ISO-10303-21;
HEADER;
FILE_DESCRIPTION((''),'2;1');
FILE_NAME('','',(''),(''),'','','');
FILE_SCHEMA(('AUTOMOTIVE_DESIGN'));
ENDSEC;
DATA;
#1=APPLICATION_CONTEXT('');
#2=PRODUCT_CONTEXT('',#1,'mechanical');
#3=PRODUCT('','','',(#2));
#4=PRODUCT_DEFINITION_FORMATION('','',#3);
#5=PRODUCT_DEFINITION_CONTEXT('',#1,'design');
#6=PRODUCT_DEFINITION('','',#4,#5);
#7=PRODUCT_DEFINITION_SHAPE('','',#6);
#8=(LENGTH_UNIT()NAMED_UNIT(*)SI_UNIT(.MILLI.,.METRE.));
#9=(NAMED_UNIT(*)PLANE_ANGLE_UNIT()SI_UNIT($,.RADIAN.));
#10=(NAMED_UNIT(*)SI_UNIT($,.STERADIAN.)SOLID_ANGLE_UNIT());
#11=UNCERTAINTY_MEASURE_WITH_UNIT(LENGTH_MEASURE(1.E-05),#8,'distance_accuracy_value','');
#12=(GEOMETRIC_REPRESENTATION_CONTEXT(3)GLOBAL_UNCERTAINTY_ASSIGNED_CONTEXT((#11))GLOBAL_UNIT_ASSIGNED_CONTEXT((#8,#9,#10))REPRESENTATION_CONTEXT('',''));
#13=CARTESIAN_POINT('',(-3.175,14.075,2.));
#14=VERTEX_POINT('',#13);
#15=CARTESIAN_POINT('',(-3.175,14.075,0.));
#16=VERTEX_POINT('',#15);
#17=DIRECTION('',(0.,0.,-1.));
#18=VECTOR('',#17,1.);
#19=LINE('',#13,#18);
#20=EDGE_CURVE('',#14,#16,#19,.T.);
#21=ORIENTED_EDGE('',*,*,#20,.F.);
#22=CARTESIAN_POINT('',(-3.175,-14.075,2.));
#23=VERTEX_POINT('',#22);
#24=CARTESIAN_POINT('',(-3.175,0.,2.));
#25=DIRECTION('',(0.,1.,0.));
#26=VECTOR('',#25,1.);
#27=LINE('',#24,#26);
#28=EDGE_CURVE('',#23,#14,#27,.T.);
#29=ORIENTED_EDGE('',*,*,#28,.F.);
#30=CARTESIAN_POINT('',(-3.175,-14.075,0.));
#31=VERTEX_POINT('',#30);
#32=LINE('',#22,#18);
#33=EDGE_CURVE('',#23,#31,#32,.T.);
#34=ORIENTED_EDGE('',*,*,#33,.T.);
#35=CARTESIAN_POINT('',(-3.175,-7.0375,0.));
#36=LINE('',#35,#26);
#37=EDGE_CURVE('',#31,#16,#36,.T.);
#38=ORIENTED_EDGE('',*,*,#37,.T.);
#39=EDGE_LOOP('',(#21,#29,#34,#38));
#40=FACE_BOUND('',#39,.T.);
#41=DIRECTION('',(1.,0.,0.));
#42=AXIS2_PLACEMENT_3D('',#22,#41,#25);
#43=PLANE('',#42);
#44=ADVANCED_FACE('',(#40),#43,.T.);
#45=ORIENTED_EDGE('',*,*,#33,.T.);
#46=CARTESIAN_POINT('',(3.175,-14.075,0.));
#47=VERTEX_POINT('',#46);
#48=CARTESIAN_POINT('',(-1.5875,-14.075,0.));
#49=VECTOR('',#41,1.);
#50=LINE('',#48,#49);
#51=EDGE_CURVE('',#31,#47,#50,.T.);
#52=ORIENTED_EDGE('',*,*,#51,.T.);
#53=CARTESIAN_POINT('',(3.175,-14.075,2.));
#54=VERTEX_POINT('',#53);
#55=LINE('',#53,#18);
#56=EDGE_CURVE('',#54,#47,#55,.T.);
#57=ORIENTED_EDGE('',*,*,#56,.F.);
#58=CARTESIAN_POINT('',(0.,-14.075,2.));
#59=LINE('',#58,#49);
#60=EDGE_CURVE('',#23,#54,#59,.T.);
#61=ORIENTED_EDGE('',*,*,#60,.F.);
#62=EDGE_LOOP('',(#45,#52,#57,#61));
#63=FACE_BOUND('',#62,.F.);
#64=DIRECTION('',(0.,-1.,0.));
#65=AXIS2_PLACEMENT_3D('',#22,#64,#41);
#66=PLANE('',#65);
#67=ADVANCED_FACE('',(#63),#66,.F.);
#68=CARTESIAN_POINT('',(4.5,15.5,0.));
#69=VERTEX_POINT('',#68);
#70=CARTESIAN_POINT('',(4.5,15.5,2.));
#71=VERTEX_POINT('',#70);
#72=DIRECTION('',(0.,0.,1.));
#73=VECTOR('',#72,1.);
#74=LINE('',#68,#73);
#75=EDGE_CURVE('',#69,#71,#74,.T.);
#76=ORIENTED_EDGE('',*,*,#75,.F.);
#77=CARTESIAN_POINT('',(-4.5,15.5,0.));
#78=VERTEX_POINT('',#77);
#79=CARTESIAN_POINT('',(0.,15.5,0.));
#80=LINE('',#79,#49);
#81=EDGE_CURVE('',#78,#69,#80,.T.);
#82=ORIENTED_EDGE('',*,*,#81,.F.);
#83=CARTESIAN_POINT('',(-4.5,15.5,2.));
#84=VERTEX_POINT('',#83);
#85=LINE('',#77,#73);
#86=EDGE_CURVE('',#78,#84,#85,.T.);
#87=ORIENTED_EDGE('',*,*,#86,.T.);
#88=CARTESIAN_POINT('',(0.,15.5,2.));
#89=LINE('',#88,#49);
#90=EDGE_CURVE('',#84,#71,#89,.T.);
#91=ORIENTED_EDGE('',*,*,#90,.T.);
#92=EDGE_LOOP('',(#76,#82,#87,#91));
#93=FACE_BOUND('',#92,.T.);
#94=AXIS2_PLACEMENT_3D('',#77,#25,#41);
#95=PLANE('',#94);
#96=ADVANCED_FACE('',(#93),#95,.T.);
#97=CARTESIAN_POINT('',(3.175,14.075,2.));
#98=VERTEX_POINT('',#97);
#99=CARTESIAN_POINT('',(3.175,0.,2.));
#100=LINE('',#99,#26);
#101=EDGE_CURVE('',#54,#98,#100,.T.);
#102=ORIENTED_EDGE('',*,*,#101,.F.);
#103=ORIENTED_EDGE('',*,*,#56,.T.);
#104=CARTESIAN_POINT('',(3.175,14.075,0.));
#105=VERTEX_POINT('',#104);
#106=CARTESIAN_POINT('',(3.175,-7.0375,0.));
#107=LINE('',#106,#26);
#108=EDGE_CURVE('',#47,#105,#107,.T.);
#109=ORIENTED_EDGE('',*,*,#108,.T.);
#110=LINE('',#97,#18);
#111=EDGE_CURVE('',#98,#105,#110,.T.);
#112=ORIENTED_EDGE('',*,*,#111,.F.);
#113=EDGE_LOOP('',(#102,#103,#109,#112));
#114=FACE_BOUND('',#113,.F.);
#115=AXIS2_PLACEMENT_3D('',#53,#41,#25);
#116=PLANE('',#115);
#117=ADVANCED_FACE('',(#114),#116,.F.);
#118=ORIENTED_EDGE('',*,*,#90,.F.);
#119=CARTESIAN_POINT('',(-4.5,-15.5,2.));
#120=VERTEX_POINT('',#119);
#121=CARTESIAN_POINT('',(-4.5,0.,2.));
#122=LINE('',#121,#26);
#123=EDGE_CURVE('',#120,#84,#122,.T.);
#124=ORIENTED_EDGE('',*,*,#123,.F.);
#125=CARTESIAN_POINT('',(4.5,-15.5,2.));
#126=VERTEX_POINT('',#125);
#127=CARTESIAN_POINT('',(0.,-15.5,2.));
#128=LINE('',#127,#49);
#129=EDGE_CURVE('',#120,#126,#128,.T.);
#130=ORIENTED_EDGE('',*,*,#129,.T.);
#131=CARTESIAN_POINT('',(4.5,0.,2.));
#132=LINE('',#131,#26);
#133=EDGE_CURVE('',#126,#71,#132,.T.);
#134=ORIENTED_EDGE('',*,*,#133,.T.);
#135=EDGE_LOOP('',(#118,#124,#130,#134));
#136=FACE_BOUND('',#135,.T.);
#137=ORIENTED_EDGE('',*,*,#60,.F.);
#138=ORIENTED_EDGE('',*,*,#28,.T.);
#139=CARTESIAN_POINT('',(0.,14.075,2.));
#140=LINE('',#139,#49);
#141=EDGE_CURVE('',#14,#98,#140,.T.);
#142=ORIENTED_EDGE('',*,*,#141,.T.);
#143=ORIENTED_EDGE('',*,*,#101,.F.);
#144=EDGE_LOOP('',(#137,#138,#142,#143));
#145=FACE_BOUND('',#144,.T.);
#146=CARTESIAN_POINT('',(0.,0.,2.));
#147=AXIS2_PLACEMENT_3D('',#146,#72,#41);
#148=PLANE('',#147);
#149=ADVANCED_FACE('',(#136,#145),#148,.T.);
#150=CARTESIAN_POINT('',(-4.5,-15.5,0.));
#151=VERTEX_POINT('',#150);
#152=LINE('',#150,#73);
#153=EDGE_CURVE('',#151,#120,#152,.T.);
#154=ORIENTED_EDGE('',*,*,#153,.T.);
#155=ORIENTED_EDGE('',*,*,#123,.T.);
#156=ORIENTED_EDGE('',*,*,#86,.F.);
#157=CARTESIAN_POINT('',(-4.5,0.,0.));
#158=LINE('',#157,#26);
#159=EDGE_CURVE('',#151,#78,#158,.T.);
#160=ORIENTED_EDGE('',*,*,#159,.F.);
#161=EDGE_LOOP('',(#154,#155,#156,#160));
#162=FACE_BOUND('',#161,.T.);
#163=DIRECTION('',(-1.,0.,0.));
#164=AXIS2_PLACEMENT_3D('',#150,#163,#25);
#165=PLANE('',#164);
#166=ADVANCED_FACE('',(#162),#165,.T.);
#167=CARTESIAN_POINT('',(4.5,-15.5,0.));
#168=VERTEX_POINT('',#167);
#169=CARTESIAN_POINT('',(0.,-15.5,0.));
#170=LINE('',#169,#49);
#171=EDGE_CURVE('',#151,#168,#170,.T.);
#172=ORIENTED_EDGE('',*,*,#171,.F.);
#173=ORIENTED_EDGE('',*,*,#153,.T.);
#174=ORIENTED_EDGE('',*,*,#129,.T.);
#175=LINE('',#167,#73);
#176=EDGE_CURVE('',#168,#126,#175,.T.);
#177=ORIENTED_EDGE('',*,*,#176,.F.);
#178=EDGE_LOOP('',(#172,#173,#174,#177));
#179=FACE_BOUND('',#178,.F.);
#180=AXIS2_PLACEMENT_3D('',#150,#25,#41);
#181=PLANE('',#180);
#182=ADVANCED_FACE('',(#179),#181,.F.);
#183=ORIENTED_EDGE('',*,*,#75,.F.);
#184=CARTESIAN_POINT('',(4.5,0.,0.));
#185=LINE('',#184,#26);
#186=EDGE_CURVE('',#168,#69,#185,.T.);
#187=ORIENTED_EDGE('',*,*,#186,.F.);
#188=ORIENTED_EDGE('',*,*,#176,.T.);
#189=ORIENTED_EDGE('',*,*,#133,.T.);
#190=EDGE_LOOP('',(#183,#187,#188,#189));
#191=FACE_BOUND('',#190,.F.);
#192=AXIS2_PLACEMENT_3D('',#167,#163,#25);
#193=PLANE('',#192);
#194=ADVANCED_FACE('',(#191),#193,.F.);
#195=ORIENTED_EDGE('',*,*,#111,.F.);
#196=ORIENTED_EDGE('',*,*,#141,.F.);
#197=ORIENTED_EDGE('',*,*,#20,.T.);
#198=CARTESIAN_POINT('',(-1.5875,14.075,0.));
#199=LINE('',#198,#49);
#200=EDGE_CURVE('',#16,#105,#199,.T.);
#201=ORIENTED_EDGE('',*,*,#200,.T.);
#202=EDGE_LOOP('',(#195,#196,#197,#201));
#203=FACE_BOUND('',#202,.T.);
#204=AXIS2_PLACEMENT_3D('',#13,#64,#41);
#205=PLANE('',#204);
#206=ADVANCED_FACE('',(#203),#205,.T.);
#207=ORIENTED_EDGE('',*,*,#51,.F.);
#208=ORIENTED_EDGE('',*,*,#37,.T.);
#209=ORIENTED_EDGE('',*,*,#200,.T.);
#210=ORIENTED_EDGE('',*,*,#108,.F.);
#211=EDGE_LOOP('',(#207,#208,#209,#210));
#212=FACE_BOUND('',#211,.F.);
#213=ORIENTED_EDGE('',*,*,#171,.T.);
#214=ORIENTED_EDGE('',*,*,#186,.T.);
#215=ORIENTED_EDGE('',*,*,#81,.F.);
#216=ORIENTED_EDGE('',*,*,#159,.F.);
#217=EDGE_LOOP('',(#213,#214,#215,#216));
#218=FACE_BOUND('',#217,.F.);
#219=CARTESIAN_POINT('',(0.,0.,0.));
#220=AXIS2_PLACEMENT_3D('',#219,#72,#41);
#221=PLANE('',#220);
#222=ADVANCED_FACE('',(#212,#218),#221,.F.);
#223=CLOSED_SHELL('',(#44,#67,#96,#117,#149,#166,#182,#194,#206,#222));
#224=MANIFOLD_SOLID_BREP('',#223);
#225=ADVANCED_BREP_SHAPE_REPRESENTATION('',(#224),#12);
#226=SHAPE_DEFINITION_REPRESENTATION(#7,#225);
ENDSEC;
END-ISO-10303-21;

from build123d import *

# Parameters (mm, degrees)
F0_W     = 9
F0_H     = 31
F1_DEPTH = 2
F3_W     = 6.35
F3_H     = 28.15
F4_DEPTH = 15.9


with BuildPart() as f1:
    # F0 (on Top) → F1 (new body)
    with BuildSketch(Plane.XY):
        Rectangle(F0_W, F0_H)
    extrude(amount=F1_DEPTH)

    # F3 (on offset) → F4 (cut)
    with BuildSketch(Plane.XY.offset(2)):
        Rectangle(F3_W, F3_H)
    extrude(amount=-F4_DEPTH, mode=Mode.SUBTRACT)


solid = f1.part
